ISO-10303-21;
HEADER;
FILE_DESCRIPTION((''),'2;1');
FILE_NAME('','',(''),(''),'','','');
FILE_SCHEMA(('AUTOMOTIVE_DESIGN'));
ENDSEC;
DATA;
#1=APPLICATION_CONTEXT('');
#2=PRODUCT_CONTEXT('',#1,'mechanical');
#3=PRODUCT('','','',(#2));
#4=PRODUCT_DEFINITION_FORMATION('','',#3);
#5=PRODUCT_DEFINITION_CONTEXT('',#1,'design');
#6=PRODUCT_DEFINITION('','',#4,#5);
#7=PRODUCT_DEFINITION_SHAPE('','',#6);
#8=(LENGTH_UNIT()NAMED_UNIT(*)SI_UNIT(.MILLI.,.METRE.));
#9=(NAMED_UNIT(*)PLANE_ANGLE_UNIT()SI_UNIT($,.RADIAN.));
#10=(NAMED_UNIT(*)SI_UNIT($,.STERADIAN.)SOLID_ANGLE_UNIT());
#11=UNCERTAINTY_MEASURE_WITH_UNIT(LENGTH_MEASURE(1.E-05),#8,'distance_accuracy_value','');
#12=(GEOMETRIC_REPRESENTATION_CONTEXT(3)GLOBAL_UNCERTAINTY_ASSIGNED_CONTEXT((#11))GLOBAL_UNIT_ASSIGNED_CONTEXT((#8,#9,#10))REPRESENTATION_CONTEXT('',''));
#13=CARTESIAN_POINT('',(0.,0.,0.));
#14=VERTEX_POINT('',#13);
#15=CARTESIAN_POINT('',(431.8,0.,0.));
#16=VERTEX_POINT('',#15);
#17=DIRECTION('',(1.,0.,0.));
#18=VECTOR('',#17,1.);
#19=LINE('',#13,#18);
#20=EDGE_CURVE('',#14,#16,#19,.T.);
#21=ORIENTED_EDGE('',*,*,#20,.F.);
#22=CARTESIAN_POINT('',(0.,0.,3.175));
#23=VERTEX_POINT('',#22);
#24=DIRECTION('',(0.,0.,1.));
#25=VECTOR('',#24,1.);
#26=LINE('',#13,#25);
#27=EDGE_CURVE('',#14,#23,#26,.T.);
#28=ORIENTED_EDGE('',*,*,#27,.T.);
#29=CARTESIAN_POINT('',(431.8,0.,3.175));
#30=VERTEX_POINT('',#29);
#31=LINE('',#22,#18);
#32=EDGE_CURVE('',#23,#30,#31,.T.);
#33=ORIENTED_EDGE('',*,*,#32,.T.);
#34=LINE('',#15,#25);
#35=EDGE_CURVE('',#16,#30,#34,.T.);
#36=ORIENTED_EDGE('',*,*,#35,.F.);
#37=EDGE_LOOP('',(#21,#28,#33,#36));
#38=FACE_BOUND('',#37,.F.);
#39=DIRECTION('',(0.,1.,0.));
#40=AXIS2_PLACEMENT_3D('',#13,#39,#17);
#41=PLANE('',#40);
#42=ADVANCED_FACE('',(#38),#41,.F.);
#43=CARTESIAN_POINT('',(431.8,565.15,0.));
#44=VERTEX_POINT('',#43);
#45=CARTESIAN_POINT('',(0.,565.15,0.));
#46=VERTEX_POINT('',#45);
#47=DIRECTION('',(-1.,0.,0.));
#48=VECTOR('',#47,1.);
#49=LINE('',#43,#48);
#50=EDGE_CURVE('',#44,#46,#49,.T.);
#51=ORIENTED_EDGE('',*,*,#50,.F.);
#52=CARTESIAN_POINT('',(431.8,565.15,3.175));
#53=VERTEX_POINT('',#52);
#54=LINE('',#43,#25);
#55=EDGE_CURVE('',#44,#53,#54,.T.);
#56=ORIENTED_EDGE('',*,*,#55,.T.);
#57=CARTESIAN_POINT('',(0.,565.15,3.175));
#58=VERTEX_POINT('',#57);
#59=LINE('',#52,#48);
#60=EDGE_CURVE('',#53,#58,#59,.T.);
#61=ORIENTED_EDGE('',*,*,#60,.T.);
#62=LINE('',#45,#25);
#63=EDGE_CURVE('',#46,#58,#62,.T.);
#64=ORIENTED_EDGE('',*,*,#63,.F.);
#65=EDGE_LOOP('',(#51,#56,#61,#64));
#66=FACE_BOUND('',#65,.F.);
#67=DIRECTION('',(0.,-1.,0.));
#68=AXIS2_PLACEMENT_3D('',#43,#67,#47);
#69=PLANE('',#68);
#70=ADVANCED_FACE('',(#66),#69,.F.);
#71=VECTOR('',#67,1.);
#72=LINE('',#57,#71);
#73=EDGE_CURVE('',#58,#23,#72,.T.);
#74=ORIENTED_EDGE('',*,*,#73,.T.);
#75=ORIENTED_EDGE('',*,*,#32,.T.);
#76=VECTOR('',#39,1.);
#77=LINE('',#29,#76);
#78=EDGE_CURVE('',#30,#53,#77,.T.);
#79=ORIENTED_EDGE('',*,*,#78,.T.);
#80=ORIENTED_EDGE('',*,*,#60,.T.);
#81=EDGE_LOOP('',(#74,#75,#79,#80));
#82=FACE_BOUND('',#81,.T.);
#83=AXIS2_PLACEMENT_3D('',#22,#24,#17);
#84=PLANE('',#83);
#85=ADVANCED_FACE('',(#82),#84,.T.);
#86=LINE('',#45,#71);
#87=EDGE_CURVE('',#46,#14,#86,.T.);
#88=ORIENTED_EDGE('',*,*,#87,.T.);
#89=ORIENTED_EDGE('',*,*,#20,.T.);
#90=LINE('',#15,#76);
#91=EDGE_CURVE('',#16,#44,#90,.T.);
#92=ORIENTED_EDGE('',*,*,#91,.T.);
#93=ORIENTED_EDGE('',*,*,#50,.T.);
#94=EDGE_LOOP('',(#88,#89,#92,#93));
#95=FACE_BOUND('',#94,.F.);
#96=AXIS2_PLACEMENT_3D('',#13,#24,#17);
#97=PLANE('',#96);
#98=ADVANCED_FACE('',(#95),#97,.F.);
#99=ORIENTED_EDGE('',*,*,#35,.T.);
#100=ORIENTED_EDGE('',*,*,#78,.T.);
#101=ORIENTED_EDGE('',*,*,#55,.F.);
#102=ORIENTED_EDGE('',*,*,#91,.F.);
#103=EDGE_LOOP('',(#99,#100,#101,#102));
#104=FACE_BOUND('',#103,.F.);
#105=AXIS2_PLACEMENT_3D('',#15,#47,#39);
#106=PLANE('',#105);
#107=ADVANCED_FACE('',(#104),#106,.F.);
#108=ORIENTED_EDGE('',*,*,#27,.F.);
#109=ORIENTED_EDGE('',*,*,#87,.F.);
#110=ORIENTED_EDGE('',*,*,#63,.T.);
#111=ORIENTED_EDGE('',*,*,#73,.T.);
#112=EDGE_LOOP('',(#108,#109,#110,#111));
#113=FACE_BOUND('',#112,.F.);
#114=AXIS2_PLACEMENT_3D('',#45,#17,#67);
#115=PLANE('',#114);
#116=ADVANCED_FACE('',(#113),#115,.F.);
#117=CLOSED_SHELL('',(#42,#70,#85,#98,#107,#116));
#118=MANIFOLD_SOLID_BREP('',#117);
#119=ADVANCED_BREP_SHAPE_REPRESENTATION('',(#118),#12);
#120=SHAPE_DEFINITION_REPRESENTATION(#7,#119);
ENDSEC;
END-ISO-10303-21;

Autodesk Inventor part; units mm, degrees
ref_plane "YZ Plane" through (0, 0, 0) normal (1, 0, 0) x (0, 1, 0)
ref_plane "XZ Plane" through (0, 0, 0) normal (0, 1, 0) x (-1, 0, 0)
ref_plane "XY Plane" through (0, 0, 0) normal (0, 0, 1) x (1, 0, 0)
sketch "Sketch1" plane through (0, 0, 0) normal (0, 0, 1) x (1, 0, 0)
  line L0 (0, 0) -> (431.8, 0)
  line L1 (431.8, 0) -> (431.8, 565.15)
  line L2 (431.8, 565.15) -> (0, 565.15)
  line L3 (0, 565.15) -> (0, 0)
  dimension "d0" = 431.8
  dimension "d1" = 565.15
extrude "Extrusion1" add sketch "Sketch1" along normal blind 3.175
properties part number "Polycrab" material "Polycarbonate, Smoke"
